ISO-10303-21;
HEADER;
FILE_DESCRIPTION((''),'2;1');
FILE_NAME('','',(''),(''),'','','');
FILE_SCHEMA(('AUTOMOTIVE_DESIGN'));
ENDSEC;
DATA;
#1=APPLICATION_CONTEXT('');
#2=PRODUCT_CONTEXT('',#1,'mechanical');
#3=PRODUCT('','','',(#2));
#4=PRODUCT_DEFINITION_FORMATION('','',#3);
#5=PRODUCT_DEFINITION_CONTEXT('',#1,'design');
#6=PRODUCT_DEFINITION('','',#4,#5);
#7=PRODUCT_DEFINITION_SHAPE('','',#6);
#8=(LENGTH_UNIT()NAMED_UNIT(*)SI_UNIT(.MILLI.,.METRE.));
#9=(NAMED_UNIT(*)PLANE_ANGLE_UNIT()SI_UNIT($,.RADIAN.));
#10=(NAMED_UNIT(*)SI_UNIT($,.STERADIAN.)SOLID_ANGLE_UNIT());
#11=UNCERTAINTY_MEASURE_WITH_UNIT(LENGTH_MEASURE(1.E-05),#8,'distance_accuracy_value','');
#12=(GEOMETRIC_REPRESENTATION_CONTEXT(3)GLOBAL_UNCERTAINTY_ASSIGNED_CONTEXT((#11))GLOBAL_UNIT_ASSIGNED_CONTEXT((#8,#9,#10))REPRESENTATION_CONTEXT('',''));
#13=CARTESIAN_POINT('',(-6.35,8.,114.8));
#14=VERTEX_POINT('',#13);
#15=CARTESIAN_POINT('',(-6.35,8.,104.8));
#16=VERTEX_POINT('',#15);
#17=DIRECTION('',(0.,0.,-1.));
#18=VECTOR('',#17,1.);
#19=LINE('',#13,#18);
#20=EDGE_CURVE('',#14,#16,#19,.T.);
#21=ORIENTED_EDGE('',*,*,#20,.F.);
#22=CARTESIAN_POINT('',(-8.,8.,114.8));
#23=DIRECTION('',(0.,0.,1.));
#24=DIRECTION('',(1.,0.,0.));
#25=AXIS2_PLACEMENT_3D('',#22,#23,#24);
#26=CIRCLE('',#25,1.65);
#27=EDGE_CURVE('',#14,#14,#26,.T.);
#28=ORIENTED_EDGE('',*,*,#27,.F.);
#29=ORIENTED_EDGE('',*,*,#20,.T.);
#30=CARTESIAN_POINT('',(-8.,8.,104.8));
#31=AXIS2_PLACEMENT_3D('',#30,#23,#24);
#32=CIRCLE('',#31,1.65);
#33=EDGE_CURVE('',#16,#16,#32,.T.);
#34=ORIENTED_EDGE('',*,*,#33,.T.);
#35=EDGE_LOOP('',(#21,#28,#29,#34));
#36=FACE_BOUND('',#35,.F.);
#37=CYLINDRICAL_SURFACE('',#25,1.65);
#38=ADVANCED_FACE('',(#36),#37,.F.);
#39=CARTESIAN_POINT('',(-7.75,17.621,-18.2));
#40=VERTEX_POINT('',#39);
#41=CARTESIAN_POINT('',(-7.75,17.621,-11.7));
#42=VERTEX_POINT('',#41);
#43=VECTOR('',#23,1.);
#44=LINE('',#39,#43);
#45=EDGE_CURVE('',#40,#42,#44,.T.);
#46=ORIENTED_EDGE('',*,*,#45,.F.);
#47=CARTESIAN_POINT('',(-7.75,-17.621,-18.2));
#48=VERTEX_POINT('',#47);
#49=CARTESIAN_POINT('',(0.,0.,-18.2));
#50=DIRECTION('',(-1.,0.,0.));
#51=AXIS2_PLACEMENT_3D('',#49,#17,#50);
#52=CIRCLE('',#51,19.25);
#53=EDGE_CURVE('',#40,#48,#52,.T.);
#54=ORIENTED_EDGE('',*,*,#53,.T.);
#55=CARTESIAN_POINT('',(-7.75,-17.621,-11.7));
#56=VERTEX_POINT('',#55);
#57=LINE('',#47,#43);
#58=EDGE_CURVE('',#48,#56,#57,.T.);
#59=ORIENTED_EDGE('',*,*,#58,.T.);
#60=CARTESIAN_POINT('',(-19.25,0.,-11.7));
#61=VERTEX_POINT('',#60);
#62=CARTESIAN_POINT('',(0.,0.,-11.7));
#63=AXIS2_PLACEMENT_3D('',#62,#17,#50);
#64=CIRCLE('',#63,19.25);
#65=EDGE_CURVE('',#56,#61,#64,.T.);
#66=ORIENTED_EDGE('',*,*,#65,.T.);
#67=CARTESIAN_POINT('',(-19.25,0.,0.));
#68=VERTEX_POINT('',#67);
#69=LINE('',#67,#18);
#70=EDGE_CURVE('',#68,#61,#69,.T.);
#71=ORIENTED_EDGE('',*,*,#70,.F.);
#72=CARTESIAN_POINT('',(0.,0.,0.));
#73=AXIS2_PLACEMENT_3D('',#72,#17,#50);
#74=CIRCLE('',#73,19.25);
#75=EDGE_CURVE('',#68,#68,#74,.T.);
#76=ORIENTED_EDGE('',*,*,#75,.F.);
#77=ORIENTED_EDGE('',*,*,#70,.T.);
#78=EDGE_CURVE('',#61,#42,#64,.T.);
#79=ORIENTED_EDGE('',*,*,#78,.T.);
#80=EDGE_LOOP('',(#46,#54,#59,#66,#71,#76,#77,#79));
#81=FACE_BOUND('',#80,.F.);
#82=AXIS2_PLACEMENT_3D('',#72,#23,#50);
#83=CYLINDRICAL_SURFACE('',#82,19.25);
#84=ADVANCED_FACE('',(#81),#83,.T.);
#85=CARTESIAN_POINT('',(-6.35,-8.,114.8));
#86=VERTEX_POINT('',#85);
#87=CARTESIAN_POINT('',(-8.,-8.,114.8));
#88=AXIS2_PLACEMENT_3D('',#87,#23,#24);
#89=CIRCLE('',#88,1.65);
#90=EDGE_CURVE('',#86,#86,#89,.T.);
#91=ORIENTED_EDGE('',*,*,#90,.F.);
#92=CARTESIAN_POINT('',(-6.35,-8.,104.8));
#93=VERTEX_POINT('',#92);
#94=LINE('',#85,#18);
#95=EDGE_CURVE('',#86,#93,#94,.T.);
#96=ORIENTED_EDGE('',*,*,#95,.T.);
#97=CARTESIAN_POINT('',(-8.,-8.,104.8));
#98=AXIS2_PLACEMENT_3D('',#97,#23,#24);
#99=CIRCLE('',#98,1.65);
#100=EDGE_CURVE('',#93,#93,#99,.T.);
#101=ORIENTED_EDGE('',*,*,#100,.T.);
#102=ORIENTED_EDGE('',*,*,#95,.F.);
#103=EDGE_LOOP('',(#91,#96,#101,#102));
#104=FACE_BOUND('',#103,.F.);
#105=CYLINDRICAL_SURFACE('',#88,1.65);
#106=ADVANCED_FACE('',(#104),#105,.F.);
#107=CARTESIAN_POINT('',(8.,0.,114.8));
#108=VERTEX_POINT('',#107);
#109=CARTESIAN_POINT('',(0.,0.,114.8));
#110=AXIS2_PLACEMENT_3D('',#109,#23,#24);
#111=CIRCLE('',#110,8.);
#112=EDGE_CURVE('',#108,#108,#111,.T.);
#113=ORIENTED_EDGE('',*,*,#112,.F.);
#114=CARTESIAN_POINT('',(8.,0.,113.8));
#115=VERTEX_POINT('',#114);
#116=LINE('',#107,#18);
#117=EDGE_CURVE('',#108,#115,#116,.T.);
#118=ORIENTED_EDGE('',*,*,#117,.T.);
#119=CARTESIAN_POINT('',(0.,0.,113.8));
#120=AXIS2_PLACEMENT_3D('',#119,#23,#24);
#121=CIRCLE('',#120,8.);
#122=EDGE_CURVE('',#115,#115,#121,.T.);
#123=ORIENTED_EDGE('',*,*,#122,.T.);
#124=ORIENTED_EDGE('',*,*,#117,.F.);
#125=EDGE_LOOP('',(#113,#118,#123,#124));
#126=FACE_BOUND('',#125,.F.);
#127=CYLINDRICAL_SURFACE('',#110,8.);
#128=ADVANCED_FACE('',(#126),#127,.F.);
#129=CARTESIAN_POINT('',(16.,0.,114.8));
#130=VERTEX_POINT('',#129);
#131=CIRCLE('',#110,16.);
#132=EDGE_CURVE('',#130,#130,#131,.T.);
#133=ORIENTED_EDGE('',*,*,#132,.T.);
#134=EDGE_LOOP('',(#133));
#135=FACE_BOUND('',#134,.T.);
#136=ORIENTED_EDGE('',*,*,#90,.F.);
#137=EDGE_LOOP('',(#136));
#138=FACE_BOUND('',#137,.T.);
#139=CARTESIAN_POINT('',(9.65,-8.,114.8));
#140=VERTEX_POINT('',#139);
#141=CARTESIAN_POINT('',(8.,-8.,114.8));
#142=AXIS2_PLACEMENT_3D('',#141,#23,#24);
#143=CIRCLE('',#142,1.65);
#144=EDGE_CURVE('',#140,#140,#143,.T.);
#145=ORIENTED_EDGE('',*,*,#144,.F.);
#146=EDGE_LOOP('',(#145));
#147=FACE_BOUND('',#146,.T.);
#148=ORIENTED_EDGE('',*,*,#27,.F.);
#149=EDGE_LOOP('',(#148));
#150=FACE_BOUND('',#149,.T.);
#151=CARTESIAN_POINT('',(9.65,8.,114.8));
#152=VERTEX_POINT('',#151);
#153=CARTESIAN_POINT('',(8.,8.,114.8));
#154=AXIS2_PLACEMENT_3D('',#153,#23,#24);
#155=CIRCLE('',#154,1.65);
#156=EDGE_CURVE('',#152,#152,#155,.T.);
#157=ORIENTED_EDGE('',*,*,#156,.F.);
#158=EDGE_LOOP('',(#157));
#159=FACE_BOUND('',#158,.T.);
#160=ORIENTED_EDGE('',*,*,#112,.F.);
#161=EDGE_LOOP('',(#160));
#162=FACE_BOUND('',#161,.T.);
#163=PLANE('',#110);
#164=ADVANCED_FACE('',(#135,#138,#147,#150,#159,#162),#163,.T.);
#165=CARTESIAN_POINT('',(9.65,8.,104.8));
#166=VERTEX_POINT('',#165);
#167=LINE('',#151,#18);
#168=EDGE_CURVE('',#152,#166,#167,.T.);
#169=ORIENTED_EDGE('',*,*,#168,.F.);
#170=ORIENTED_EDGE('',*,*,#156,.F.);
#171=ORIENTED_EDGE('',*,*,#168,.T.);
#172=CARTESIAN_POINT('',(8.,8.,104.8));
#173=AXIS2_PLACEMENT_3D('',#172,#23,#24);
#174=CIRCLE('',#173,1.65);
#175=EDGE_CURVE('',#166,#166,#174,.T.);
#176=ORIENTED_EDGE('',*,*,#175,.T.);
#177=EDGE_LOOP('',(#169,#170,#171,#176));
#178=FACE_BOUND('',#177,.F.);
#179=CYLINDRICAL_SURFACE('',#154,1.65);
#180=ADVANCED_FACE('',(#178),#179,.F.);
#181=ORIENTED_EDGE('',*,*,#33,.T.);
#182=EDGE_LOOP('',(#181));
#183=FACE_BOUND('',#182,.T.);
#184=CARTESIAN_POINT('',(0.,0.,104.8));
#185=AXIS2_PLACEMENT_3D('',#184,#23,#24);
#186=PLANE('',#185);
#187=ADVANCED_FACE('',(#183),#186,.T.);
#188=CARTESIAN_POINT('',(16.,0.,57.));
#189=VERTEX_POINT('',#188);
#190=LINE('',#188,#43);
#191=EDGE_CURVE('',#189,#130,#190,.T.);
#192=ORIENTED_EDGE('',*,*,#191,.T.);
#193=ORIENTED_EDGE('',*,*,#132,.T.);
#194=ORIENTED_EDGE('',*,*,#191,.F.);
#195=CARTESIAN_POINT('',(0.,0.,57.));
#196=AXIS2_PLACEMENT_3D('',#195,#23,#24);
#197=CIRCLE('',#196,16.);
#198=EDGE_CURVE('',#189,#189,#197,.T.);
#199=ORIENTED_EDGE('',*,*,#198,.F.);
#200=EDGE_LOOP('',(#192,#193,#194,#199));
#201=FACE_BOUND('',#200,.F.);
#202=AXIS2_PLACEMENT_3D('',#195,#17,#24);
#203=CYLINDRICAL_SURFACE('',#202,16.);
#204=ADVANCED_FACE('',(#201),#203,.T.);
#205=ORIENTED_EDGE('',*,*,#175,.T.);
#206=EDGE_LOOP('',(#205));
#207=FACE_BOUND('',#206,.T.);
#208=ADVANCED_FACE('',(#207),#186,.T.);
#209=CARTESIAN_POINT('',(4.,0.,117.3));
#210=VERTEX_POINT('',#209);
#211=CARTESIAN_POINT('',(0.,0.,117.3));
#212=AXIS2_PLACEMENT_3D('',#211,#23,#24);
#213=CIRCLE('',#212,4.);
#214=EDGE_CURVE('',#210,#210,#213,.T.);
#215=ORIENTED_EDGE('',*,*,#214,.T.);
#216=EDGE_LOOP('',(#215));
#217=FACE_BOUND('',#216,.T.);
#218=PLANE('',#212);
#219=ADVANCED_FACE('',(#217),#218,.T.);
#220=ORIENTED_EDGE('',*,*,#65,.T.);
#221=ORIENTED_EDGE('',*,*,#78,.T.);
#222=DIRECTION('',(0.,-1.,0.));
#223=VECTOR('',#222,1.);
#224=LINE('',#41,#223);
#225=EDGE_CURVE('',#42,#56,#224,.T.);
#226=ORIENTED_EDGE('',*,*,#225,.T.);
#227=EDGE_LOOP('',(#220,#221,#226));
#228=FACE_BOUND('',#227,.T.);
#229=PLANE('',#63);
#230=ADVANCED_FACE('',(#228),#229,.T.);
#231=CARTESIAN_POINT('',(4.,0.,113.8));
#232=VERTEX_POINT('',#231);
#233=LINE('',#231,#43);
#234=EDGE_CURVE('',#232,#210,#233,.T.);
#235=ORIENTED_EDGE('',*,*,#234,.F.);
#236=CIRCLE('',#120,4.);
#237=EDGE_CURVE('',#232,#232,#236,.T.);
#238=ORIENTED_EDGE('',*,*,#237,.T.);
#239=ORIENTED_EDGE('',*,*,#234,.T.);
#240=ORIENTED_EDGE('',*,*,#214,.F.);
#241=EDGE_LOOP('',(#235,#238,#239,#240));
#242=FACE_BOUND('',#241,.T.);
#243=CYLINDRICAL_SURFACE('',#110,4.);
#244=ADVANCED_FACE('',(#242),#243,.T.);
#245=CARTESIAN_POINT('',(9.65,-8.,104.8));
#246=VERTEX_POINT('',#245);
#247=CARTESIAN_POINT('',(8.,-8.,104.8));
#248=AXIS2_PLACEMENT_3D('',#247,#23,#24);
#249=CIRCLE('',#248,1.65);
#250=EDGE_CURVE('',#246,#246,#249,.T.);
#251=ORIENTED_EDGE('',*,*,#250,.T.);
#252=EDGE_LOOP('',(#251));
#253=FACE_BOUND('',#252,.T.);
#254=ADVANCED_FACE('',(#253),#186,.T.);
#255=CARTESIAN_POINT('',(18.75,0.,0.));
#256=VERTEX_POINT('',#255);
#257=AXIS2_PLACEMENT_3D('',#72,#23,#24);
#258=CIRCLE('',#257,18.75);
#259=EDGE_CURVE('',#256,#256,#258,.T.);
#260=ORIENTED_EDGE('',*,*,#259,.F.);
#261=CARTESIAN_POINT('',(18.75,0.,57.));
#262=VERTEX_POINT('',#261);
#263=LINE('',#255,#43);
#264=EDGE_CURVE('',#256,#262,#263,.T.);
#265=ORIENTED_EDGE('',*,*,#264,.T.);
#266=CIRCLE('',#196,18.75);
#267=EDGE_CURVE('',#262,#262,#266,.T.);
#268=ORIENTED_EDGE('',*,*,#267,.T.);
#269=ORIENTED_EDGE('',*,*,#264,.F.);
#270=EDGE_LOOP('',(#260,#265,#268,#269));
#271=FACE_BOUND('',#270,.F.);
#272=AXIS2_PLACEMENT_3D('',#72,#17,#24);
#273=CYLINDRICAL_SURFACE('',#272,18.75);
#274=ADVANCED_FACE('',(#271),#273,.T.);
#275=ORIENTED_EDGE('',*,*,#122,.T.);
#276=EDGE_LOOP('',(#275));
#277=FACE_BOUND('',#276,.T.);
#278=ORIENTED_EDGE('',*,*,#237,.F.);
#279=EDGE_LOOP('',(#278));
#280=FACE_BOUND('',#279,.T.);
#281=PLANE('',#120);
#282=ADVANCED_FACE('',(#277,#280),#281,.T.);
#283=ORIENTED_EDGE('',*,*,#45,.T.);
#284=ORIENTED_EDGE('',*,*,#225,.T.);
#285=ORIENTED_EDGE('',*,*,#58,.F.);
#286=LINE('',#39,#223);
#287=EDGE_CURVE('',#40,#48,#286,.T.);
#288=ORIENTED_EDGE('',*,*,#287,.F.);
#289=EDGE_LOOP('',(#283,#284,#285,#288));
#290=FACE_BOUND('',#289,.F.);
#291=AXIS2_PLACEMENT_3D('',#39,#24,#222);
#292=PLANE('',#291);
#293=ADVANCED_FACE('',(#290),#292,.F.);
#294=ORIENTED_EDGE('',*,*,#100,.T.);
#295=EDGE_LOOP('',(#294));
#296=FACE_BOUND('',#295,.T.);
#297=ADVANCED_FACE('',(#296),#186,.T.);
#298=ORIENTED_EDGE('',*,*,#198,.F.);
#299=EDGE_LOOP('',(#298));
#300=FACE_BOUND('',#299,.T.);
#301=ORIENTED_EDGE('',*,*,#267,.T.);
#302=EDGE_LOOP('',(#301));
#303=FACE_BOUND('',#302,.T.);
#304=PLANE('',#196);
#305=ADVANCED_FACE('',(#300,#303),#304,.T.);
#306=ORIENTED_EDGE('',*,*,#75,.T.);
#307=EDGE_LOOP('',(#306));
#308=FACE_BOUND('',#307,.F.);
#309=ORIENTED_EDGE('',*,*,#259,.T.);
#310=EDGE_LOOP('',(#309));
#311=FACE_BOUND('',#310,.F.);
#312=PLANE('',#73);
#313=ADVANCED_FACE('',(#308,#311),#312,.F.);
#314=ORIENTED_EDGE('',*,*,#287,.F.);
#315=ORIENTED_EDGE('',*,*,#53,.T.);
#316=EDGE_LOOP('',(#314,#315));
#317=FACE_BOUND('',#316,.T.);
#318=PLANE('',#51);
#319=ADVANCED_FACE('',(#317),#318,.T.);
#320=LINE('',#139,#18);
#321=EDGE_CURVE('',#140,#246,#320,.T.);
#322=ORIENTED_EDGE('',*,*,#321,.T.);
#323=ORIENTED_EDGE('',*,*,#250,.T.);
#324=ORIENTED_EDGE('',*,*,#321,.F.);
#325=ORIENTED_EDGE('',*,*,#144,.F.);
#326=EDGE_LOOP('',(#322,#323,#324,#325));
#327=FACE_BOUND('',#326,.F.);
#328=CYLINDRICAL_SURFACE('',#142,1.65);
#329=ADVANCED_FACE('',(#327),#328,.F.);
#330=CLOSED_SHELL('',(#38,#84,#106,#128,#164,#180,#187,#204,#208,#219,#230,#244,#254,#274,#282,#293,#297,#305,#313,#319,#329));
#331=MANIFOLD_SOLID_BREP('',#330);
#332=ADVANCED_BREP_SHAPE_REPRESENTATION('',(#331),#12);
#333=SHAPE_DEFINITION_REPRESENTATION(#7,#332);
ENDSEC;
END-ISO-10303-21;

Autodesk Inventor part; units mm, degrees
ref_plane "YZ Plane" through (0, 0, 0) normal (1, 0, 0) x (0, 1, 0)
ref_plane "XZ Plane" through (0, 0, 0) normal (0, 1, 0) x (-1, 0, 0)
ref_plane "XY Plane" through (0, 0, 0) normal (0, 0, 1) x (1, 0, 0)
sketch "Base" plane through (0, 0, 0) normal (0, 0, 1) x (1, 0, 0)
  circle A0 centre (0, 0) radius 18.75
  dimension "d0" = 37.5
extrude "BaseFeature" add sketch "Base" along normal blind 57
sketch "Sketch2" plane through (0, 0, 0) normal (0, 0, -1) x (-1, 0, 0)
  circle A0 centre (0, 0) radius 18.75 projected
  circle A1 centre (0, 0) radius 19.25
  dimension "d3" = 0.5
extrude "BottomFeature" add sketch "Sketch2" along normal blind 18.2 contours A0 | A1
sketch "Panel" plane through (0, 0, -18.2) normal (0, 0, -1) x (-1, 0, 0)
  circle A0 centre (0, 0) radius 19.25 projected
  line L0 (7.75, 17.621) -> (7.75, -17.621)
  circle A1 centre (0, 0) radius 18.75 construction
  line L1 (0, 0) -> (-19.25, 0) construction
  circle A2 centre (0, 0) radius 19.25 projected
  line L2 (7.75, 17.621) -> (19.25, 17.621)
  line L3 (19.25, 17.621) -> (19.25, -17.621)
  line L4 (19.25, -17.621) -> (7.75, -17.621)
  line L5 (7.75, -17.621) -> (7.75, 17.621)
  dimension "d6" = 27
extrude "PanelFeature" cut sketch "Panel" against normal blind 6.5 contours A0 L0 picked at (11.5833, 0)
sketch "Gearbox" plane through (0, 0, 57) normal (0, 0, 1) x (1, 0, 0)
  circle A0 centre (0, 0) radius 16
  dimension "d9" = 32
extrude "GearboxFeature" add sketch "Gearbox" along normal blind 57.8
sketch "Shaft" plane through (0, 0, 114.8) normal (0, 0, 1) x (1, 0, 0)
  circle A0 centre (0, 0) radius 18.75 projected
  circle A1 centre (0, 0) radius 8
  dimension "d12" = 16
extrude "ShaftFeature" cut sketch "Shaft" against normal blind 1 contours A1
sketch "MountHoles" plane through (0, 0, 114.8) normal (0, 0, 1) x (1, 0, 0)
  line L0 (0, 0) -> (-19.25, 0) construction
  line L1 (0, 0) -> (0, 19.25) construction
  circle A0 centre (0, 0) radius 19.25 construction
  line L2 (-8, -8) -> (8, -8) construction
  line L3 (8, -8) -> (8, 8) construction
  line L4 (8, 8) -> (-8, 8) construction
  line L5 (-8, 8) -> (-8, -8) construction
  circle A1 centre (-8, -8) radius 1.65
  circle A2 centre (-8, 8) radius 1.65
  circle A3 centre (8, 8) radius 1.65
  circle A4 centre (8, -8) radius 1.65
  point P0 (-8, 0)
  point P1 (0, 8)
  dimension "d16" = 16
  dimension "d17" = 3.3
extrude "MountHolesFeature" cut sketch "MountHoles" against normal blind 10
sketch "ShaftBase" plane through (0, 0, 114.8) normal (0, 0, 1) x (1, 0, 0)
  circle A0 centre (0, 0) radius 4
  dimension "d22" = 8
extrude "ShaftBaseFeature" add sketch "ShaftBase" along normal mid plane 5
properties part number "ShoulderServo"
